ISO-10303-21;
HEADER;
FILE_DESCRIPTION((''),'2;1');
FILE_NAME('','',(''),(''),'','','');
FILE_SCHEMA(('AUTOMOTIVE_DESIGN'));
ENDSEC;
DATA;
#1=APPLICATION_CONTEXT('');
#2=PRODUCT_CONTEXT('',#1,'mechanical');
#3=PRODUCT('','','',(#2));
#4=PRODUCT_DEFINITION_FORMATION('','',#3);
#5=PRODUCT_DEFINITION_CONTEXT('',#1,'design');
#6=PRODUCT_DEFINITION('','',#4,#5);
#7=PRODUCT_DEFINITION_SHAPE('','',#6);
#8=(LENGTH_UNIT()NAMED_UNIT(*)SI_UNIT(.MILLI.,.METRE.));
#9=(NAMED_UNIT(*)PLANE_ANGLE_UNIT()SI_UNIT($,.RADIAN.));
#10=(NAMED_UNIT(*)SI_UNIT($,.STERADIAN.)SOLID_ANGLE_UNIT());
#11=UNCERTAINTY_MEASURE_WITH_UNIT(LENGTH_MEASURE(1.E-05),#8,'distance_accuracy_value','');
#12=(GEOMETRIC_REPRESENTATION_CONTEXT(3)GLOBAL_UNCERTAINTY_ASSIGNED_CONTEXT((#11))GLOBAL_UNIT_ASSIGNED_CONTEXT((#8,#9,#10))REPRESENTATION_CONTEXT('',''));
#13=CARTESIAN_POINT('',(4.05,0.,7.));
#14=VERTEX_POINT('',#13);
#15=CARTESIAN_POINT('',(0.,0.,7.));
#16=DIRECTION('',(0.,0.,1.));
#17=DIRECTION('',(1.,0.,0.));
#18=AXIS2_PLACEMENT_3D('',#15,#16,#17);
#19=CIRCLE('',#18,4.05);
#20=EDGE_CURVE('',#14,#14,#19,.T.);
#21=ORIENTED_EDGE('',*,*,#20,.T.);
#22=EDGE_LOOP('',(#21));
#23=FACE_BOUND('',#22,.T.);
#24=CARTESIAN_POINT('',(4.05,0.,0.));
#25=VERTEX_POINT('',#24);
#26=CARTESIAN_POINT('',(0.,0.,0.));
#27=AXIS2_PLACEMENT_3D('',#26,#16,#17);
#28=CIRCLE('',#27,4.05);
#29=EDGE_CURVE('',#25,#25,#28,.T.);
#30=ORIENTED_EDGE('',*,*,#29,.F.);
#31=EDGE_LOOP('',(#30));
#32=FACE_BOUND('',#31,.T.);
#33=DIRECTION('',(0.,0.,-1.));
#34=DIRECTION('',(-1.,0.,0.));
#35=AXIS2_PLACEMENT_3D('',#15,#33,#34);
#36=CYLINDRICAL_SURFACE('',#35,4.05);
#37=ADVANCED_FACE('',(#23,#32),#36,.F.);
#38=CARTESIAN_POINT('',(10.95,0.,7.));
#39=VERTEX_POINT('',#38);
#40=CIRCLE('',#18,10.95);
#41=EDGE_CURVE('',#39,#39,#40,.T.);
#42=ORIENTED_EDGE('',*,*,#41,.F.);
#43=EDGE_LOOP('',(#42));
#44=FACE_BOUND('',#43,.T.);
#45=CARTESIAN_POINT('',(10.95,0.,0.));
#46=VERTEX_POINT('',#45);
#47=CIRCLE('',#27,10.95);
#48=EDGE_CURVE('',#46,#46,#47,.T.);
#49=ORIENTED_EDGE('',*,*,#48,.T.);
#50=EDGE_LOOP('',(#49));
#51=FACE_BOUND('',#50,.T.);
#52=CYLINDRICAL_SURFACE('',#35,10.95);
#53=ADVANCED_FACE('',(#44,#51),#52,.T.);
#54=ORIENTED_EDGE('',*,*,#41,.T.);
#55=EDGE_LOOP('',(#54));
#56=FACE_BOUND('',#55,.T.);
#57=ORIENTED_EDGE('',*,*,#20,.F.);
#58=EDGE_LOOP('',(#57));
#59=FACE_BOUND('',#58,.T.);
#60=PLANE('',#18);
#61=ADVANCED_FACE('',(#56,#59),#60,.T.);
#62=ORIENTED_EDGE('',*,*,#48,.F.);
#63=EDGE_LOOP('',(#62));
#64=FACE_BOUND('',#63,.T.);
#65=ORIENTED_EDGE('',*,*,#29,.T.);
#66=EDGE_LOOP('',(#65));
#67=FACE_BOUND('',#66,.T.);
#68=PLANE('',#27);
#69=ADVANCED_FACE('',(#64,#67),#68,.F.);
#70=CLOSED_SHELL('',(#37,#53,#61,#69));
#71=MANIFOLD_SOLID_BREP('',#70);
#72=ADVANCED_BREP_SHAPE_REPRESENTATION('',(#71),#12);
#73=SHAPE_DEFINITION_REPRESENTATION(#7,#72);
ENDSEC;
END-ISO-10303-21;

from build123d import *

# Parameters (mm, degrees)
SKETCH_1_R      = 10.95
SKETCH_1_R_2    = 4.05
EXTRUDE_1_DEPTH = 7


with BuildPart() as part:
    # Эскиз1 → Бобышка-Вытянуть1 (new body)
    with BuildSketch(Plane.XY):
        Circle(SKETCH_1_R)
        Circle(SKETCH_1_R_2, mode=Mode.SUBTRACT)
    extrude(amount=EXTRUDE_1_DEPTH)


solid = part.part
